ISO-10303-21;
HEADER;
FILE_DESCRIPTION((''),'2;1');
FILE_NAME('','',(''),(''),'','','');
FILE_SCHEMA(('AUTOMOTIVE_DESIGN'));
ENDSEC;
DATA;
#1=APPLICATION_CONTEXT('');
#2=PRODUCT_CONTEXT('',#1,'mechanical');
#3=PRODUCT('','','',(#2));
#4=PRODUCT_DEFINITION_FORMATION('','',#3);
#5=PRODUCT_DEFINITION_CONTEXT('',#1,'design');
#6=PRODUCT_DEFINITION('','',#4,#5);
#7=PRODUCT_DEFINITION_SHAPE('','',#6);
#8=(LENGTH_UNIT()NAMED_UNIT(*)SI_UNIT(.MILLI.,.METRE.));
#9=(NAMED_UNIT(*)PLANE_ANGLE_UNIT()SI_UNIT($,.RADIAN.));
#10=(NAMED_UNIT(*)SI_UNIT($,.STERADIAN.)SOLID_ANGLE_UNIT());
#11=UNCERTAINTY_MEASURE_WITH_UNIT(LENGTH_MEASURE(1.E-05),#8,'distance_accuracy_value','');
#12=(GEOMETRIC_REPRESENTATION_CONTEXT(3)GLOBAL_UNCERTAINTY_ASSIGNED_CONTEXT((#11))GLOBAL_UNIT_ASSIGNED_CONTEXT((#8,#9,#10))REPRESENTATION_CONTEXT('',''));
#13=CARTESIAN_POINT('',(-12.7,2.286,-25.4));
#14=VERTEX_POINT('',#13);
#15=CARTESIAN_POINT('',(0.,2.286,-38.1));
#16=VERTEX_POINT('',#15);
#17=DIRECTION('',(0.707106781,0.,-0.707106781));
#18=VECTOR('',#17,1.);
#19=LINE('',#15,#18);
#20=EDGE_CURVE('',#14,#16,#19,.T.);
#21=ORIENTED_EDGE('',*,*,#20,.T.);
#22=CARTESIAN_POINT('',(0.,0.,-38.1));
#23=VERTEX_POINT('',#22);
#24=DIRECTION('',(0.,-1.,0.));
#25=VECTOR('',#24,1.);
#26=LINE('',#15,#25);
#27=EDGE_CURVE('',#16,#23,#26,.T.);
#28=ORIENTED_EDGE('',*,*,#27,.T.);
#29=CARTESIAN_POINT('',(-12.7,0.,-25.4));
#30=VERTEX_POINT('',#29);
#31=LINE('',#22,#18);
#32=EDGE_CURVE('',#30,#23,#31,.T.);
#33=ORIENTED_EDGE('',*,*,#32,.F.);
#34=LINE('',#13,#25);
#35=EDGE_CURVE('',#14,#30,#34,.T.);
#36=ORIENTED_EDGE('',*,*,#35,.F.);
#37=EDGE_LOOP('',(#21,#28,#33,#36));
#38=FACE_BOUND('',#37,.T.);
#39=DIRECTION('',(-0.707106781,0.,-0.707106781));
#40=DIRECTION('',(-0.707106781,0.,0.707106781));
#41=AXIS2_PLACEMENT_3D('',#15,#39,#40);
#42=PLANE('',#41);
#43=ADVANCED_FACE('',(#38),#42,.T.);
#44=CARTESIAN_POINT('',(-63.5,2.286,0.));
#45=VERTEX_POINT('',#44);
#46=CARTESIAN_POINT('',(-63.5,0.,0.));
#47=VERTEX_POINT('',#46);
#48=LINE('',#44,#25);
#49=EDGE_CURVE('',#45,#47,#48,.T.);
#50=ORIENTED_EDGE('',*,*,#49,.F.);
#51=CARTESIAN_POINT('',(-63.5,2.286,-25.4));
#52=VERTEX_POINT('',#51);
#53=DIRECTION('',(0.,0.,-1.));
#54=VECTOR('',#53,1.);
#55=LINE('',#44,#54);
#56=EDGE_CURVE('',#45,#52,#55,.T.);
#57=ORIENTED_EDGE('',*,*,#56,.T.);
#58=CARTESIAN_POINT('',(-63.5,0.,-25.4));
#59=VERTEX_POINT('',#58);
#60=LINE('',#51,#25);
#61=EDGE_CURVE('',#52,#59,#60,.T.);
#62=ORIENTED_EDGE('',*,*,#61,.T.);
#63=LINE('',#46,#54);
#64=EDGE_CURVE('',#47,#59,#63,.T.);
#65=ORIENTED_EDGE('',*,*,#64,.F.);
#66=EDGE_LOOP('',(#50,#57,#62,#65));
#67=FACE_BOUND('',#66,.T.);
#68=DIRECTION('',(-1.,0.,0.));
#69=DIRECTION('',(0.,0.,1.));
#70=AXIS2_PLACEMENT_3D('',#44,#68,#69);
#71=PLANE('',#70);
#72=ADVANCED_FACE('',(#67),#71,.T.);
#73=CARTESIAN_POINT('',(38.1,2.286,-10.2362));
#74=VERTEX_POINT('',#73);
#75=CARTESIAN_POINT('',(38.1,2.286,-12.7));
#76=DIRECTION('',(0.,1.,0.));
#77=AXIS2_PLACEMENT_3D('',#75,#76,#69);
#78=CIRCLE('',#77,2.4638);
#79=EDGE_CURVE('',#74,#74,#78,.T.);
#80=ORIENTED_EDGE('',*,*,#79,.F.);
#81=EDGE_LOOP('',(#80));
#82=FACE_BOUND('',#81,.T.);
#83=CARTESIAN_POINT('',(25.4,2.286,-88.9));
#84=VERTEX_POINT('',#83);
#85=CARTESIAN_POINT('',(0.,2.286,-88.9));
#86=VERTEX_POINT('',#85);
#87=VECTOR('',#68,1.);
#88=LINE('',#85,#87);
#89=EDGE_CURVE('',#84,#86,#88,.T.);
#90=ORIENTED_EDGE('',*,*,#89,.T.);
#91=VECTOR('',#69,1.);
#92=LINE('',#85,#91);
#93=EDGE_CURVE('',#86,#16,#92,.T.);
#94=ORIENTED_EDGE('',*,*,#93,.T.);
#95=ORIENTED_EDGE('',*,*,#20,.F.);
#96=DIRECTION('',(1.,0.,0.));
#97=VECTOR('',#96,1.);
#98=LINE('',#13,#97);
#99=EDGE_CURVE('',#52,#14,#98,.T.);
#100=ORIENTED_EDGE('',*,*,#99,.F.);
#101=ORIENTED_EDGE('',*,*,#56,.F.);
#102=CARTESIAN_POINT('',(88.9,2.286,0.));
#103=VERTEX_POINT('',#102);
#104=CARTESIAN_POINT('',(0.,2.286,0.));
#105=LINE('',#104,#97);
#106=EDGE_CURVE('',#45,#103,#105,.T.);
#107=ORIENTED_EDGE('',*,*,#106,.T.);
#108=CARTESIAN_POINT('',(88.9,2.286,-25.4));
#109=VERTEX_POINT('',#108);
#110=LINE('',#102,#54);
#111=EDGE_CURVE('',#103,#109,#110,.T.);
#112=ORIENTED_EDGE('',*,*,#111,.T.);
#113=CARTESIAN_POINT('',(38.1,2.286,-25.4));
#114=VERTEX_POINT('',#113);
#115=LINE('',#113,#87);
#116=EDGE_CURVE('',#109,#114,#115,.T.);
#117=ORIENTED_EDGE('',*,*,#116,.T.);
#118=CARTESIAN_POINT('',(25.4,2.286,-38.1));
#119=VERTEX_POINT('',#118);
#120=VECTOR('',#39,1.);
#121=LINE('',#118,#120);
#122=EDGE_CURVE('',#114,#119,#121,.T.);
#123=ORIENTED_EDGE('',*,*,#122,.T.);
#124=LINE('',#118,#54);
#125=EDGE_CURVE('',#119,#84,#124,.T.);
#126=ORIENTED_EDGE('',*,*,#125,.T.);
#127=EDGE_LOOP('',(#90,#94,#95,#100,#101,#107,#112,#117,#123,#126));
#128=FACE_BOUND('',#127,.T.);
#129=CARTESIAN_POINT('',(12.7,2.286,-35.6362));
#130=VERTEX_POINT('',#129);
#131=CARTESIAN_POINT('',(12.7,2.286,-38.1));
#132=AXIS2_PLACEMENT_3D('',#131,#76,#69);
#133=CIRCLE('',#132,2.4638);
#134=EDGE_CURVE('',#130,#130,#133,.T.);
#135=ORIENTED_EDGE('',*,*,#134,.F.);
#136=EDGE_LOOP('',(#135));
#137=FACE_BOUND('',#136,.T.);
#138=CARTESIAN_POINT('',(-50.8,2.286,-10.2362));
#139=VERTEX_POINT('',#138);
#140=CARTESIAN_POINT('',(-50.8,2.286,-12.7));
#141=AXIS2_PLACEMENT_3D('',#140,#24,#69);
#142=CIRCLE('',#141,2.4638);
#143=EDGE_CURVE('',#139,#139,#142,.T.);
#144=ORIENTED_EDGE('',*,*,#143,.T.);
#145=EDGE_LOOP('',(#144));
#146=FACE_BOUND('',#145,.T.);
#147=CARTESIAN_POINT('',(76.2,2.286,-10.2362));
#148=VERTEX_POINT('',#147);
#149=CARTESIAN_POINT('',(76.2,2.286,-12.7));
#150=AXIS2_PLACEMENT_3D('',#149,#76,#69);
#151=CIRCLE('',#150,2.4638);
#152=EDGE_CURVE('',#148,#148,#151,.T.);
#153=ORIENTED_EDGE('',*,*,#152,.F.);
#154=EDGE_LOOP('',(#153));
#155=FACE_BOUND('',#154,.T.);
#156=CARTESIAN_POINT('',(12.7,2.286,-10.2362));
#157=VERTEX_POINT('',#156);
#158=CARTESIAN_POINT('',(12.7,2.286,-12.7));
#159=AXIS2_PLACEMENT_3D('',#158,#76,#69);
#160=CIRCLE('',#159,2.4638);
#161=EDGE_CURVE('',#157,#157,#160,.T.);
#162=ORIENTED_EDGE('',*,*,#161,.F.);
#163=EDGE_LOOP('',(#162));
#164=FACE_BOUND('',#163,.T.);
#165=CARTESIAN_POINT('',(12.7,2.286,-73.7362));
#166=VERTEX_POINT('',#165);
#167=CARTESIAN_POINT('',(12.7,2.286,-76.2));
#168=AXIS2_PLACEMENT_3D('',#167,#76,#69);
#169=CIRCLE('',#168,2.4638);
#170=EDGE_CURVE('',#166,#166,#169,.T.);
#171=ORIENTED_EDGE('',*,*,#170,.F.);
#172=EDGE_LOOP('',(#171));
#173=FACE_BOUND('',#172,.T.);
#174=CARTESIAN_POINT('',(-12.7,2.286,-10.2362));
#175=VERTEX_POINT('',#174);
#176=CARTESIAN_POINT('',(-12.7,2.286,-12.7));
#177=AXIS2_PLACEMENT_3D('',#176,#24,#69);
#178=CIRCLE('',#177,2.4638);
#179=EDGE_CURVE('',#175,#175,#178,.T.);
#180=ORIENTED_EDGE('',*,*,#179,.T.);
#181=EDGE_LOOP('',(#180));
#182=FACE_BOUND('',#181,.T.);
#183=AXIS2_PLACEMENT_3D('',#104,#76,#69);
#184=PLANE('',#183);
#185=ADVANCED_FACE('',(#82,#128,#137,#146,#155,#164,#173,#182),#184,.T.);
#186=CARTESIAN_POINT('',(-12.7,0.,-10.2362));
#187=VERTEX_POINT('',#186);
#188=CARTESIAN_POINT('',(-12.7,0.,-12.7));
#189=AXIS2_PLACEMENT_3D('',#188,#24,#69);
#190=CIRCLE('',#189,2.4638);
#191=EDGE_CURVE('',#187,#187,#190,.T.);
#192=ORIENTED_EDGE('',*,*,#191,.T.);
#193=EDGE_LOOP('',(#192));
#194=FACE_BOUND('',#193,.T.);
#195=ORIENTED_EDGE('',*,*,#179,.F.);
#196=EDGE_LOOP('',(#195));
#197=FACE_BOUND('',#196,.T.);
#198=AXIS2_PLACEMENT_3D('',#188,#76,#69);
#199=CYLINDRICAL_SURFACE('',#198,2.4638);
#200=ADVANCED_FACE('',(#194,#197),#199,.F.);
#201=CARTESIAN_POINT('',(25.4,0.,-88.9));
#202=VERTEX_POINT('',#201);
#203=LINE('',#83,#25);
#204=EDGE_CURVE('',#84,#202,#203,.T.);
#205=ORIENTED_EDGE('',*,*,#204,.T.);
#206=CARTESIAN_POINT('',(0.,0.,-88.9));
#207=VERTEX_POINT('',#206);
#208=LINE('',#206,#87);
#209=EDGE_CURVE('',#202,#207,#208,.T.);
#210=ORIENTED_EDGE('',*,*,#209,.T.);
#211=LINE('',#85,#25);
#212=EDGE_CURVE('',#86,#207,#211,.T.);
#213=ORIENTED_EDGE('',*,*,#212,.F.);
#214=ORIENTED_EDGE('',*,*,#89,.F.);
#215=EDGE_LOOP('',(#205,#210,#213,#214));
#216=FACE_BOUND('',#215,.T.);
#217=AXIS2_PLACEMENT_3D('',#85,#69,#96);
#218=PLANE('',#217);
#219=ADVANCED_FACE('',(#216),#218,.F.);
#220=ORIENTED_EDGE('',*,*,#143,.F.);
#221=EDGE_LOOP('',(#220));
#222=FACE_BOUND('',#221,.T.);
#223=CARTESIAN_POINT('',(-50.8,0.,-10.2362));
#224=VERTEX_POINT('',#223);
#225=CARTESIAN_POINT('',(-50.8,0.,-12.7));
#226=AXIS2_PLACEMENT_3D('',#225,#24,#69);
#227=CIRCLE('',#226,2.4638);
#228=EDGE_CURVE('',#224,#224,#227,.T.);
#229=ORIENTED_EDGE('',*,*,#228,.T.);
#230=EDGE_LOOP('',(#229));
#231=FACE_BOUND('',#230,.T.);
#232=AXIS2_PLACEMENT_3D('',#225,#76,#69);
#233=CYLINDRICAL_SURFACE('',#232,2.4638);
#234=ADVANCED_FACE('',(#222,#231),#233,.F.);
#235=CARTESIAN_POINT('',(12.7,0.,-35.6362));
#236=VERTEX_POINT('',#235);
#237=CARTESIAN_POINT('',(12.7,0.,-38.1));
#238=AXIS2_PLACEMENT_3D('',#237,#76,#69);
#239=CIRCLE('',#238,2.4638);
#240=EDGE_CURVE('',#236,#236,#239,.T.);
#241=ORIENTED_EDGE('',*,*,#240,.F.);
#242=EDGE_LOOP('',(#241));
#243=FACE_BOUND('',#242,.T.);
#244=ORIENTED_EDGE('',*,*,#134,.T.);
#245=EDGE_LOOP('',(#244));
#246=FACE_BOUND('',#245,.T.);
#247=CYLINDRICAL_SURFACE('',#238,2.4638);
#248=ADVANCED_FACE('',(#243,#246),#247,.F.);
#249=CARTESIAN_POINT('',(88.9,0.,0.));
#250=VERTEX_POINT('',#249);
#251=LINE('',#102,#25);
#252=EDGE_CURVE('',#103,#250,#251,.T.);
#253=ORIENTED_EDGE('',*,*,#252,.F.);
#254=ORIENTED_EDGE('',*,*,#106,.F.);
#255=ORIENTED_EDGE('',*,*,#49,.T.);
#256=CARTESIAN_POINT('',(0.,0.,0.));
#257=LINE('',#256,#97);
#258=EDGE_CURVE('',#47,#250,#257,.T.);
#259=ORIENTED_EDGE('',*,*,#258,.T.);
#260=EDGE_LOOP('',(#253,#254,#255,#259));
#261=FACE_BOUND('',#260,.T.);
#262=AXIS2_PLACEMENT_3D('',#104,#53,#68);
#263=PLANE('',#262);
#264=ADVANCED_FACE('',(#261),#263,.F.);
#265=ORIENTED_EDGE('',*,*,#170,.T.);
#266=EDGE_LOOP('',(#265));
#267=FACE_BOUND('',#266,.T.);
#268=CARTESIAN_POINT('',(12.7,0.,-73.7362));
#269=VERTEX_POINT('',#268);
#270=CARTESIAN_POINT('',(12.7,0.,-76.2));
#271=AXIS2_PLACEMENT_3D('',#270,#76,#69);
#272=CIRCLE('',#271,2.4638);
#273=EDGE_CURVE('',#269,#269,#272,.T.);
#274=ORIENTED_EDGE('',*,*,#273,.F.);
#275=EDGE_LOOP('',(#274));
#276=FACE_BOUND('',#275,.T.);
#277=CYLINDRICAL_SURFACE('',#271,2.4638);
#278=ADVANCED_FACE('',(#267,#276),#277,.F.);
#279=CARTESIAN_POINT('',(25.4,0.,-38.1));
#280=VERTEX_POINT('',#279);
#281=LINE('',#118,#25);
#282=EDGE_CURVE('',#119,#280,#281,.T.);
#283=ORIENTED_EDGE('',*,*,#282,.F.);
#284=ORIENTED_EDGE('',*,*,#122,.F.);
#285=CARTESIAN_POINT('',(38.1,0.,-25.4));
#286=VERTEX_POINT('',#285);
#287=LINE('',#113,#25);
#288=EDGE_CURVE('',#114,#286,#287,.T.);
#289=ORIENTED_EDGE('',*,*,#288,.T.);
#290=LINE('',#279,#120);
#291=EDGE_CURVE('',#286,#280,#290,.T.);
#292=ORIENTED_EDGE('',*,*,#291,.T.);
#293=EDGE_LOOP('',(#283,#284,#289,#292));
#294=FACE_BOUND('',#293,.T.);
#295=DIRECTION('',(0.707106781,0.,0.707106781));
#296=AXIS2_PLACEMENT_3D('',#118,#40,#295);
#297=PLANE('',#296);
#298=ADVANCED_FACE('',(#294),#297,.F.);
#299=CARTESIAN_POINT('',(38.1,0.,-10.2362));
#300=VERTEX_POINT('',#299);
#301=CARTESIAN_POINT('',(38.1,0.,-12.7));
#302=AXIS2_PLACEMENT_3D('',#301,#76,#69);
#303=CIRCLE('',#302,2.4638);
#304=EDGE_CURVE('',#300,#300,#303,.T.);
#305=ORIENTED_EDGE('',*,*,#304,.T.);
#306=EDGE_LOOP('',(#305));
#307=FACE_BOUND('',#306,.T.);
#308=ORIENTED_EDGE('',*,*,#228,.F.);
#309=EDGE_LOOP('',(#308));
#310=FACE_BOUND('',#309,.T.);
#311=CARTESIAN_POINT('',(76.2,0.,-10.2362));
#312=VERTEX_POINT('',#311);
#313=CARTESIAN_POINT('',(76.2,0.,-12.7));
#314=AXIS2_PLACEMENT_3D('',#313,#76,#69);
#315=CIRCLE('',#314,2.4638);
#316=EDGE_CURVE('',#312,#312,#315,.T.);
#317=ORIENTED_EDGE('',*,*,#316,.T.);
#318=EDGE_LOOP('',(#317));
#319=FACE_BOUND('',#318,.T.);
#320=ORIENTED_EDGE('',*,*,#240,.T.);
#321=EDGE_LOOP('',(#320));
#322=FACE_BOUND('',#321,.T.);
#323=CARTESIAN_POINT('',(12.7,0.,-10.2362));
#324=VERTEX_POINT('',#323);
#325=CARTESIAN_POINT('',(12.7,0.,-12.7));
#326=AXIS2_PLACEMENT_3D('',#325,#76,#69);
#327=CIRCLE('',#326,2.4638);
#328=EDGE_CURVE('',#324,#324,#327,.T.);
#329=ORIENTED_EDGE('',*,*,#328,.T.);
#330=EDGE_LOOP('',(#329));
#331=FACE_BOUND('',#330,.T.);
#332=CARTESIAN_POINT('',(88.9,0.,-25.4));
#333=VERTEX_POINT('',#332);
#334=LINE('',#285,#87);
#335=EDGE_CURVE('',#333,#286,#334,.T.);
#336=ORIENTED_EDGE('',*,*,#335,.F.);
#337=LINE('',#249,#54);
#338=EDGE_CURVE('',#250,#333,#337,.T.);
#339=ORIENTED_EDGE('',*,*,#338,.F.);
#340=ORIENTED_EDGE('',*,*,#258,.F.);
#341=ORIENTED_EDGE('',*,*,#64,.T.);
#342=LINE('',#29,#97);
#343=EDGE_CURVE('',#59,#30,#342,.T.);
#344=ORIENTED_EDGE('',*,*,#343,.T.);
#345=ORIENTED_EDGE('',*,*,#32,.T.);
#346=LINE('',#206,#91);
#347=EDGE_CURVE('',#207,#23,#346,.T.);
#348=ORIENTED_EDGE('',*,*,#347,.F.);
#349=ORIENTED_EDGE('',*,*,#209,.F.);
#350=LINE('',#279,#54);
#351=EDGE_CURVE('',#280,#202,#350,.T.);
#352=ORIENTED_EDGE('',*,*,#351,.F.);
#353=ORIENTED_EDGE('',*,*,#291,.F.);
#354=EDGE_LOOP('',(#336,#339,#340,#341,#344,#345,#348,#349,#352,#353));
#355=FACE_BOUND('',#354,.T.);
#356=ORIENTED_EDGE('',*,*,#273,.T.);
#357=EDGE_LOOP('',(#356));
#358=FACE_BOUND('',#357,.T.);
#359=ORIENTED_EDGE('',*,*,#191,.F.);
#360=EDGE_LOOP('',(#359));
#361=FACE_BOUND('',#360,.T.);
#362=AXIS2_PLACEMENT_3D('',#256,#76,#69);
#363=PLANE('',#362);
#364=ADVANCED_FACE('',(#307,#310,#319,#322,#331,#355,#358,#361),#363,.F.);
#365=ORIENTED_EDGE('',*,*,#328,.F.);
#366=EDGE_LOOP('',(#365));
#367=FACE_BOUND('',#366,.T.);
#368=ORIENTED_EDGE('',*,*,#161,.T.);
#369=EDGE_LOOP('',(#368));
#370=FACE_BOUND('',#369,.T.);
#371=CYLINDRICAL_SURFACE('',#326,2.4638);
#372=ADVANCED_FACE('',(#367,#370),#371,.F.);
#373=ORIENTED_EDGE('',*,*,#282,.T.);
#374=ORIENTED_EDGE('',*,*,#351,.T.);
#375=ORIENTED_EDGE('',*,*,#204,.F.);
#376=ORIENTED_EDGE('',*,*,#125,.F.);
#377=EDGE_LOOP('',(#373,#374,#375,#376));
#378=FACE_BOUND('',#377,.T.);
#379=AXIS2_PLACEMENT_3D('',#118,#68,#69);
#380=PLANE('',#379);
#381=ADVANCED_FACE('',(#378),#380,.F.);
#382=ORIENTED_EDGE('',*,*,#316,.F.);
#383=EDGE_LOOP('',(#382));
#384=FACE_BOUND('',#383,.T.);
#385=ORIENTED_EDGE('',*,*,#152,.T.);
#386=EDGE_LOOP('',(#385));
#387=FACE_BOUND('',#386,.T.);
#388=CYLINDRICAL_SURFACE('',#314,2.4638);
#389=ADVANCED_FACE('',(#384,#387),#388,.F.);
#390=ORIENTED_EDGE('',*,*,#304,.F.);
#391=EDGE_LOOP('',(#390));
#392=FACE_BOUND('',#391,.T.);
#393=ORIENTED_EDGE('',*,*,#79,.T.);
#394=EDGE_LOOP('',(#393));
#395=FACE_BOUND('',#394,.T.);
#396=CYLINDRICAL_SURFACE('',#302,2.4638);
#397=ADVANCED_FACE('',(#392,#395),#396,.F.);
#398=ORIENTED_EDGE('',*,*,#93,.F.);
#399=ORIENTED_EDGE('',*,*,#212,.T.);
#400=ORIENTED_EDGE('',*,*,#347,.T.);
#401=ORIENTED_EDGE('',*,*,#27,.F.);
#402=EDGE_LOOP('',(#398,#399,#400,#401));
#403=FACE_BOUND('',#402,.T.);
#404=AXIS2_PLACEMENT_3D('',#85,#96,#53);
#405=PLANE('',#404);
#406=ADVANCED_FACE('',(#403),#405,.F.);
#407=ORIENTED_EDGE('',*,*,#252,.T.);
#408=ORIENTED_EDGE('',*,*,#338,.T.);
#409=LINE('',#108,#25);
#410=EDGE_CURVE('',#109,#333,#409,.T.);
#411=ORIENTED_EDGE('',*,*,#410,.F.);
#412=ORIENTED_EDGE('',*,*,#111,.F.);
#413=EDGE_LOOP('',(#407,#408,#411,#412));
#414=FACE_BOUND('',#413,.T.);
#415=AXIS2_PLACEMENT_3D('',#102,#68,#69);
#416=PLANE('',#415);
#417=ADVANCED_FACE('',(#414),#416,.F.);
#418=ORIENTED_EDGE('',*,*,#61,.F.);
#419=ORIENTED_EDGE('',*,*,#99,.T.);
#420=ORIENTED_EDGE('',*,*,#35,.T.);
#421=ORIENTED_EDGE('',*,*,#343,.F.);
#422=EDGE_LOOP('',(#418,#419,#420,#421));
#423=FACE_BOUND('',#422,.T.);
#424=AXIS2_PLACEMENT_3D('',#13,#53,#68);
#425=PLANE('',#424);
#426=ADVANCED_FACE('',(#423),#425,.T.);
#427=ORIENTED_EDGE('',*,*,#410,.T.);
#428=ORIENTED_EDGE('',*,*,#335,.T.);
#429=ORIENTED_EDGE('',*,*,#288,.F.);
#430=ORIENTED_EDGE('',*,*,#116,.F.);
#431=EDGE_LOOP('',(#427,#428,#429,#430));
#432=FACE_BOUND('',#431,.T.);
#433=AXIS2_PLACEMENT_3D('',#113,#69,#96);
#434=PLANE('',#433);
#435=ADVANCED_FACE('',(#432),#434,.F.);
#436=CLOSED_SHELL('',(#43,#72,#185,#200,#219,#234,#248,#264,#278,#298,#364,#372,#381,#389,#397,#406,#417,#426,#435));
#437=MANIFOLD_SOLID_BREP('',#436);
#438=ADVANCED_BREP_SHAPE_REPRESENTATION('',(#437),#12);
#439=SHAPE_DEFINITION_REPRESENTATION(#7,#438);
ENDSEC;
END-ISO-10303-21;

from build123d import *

# Parameters (mm, degrees)
BOSS_EXTRUDE1_DEPTH = 2.286
SKETCH3_R           = 2.4638
CUT_EXTRUDE2_DEPTH  = 126.744366856


with BuildPart() as part:
    # Sketch1 → Boss-Extrude1 (new body)
    with BuildSketch(Plane(origin=(0, 0, 0), x_dir=(1, 0, 0), z_dir=(0, 1, 0))):
        Polygon((25.4, 38.1), (38.1, 25.4), (88.9, 25.4), (88.9, 0), (0, 0), (0, 88.9), (25.4, 88.9), align=None)
    boss_extrude1 = extrude(amount=BOSS_EXTRUDE1_DEPTH)

    # Mirror1: Boss-Extrude1 across plane
    add(boss_extrude1.mirror(Plane.ZY.offset(-12.7)))

    # Sketch3 → Cut-Extrude2 (cut, through all)
    with BuildSketch(Plane(origin=(0, 2.286, 0), x_dir=(1, 0, 0), z_dir=(0, 1, 0))):
        with Locations(Location((76.2, 12.7, 0), (0, 0, 270))):
            Circle(SKETCH3_R)
        with Locations(Location((12.7, 12.7, 0), (0, 0, 270))):
            Circle(SKETCH3_R)
        with Locations(Location((12.7, 76.2, 0), (0, 0, 270))):
            Circle(SKETCH3_R)
        with Locations(Location((12.7, 38.1, 0), (0, 0, 270))):
            Circle(SKETCH3_R)
        with Locations(Location((38.1, 12.7, 0), (0, 0, 270))):
            Circle(SKETCH3_R)
    cut_extrude2 = extrude(amount=-CUT_EXTRUDE2_DEPTH, mode=Mode.SUBTRACT)

    # Mirror2: Cut-Extrude2 across plane
    add(cut_extrude2.mirror(Plane.ZY.offset(-12.7)), mode=Mode.SUBTRACT)


solid = part.part
